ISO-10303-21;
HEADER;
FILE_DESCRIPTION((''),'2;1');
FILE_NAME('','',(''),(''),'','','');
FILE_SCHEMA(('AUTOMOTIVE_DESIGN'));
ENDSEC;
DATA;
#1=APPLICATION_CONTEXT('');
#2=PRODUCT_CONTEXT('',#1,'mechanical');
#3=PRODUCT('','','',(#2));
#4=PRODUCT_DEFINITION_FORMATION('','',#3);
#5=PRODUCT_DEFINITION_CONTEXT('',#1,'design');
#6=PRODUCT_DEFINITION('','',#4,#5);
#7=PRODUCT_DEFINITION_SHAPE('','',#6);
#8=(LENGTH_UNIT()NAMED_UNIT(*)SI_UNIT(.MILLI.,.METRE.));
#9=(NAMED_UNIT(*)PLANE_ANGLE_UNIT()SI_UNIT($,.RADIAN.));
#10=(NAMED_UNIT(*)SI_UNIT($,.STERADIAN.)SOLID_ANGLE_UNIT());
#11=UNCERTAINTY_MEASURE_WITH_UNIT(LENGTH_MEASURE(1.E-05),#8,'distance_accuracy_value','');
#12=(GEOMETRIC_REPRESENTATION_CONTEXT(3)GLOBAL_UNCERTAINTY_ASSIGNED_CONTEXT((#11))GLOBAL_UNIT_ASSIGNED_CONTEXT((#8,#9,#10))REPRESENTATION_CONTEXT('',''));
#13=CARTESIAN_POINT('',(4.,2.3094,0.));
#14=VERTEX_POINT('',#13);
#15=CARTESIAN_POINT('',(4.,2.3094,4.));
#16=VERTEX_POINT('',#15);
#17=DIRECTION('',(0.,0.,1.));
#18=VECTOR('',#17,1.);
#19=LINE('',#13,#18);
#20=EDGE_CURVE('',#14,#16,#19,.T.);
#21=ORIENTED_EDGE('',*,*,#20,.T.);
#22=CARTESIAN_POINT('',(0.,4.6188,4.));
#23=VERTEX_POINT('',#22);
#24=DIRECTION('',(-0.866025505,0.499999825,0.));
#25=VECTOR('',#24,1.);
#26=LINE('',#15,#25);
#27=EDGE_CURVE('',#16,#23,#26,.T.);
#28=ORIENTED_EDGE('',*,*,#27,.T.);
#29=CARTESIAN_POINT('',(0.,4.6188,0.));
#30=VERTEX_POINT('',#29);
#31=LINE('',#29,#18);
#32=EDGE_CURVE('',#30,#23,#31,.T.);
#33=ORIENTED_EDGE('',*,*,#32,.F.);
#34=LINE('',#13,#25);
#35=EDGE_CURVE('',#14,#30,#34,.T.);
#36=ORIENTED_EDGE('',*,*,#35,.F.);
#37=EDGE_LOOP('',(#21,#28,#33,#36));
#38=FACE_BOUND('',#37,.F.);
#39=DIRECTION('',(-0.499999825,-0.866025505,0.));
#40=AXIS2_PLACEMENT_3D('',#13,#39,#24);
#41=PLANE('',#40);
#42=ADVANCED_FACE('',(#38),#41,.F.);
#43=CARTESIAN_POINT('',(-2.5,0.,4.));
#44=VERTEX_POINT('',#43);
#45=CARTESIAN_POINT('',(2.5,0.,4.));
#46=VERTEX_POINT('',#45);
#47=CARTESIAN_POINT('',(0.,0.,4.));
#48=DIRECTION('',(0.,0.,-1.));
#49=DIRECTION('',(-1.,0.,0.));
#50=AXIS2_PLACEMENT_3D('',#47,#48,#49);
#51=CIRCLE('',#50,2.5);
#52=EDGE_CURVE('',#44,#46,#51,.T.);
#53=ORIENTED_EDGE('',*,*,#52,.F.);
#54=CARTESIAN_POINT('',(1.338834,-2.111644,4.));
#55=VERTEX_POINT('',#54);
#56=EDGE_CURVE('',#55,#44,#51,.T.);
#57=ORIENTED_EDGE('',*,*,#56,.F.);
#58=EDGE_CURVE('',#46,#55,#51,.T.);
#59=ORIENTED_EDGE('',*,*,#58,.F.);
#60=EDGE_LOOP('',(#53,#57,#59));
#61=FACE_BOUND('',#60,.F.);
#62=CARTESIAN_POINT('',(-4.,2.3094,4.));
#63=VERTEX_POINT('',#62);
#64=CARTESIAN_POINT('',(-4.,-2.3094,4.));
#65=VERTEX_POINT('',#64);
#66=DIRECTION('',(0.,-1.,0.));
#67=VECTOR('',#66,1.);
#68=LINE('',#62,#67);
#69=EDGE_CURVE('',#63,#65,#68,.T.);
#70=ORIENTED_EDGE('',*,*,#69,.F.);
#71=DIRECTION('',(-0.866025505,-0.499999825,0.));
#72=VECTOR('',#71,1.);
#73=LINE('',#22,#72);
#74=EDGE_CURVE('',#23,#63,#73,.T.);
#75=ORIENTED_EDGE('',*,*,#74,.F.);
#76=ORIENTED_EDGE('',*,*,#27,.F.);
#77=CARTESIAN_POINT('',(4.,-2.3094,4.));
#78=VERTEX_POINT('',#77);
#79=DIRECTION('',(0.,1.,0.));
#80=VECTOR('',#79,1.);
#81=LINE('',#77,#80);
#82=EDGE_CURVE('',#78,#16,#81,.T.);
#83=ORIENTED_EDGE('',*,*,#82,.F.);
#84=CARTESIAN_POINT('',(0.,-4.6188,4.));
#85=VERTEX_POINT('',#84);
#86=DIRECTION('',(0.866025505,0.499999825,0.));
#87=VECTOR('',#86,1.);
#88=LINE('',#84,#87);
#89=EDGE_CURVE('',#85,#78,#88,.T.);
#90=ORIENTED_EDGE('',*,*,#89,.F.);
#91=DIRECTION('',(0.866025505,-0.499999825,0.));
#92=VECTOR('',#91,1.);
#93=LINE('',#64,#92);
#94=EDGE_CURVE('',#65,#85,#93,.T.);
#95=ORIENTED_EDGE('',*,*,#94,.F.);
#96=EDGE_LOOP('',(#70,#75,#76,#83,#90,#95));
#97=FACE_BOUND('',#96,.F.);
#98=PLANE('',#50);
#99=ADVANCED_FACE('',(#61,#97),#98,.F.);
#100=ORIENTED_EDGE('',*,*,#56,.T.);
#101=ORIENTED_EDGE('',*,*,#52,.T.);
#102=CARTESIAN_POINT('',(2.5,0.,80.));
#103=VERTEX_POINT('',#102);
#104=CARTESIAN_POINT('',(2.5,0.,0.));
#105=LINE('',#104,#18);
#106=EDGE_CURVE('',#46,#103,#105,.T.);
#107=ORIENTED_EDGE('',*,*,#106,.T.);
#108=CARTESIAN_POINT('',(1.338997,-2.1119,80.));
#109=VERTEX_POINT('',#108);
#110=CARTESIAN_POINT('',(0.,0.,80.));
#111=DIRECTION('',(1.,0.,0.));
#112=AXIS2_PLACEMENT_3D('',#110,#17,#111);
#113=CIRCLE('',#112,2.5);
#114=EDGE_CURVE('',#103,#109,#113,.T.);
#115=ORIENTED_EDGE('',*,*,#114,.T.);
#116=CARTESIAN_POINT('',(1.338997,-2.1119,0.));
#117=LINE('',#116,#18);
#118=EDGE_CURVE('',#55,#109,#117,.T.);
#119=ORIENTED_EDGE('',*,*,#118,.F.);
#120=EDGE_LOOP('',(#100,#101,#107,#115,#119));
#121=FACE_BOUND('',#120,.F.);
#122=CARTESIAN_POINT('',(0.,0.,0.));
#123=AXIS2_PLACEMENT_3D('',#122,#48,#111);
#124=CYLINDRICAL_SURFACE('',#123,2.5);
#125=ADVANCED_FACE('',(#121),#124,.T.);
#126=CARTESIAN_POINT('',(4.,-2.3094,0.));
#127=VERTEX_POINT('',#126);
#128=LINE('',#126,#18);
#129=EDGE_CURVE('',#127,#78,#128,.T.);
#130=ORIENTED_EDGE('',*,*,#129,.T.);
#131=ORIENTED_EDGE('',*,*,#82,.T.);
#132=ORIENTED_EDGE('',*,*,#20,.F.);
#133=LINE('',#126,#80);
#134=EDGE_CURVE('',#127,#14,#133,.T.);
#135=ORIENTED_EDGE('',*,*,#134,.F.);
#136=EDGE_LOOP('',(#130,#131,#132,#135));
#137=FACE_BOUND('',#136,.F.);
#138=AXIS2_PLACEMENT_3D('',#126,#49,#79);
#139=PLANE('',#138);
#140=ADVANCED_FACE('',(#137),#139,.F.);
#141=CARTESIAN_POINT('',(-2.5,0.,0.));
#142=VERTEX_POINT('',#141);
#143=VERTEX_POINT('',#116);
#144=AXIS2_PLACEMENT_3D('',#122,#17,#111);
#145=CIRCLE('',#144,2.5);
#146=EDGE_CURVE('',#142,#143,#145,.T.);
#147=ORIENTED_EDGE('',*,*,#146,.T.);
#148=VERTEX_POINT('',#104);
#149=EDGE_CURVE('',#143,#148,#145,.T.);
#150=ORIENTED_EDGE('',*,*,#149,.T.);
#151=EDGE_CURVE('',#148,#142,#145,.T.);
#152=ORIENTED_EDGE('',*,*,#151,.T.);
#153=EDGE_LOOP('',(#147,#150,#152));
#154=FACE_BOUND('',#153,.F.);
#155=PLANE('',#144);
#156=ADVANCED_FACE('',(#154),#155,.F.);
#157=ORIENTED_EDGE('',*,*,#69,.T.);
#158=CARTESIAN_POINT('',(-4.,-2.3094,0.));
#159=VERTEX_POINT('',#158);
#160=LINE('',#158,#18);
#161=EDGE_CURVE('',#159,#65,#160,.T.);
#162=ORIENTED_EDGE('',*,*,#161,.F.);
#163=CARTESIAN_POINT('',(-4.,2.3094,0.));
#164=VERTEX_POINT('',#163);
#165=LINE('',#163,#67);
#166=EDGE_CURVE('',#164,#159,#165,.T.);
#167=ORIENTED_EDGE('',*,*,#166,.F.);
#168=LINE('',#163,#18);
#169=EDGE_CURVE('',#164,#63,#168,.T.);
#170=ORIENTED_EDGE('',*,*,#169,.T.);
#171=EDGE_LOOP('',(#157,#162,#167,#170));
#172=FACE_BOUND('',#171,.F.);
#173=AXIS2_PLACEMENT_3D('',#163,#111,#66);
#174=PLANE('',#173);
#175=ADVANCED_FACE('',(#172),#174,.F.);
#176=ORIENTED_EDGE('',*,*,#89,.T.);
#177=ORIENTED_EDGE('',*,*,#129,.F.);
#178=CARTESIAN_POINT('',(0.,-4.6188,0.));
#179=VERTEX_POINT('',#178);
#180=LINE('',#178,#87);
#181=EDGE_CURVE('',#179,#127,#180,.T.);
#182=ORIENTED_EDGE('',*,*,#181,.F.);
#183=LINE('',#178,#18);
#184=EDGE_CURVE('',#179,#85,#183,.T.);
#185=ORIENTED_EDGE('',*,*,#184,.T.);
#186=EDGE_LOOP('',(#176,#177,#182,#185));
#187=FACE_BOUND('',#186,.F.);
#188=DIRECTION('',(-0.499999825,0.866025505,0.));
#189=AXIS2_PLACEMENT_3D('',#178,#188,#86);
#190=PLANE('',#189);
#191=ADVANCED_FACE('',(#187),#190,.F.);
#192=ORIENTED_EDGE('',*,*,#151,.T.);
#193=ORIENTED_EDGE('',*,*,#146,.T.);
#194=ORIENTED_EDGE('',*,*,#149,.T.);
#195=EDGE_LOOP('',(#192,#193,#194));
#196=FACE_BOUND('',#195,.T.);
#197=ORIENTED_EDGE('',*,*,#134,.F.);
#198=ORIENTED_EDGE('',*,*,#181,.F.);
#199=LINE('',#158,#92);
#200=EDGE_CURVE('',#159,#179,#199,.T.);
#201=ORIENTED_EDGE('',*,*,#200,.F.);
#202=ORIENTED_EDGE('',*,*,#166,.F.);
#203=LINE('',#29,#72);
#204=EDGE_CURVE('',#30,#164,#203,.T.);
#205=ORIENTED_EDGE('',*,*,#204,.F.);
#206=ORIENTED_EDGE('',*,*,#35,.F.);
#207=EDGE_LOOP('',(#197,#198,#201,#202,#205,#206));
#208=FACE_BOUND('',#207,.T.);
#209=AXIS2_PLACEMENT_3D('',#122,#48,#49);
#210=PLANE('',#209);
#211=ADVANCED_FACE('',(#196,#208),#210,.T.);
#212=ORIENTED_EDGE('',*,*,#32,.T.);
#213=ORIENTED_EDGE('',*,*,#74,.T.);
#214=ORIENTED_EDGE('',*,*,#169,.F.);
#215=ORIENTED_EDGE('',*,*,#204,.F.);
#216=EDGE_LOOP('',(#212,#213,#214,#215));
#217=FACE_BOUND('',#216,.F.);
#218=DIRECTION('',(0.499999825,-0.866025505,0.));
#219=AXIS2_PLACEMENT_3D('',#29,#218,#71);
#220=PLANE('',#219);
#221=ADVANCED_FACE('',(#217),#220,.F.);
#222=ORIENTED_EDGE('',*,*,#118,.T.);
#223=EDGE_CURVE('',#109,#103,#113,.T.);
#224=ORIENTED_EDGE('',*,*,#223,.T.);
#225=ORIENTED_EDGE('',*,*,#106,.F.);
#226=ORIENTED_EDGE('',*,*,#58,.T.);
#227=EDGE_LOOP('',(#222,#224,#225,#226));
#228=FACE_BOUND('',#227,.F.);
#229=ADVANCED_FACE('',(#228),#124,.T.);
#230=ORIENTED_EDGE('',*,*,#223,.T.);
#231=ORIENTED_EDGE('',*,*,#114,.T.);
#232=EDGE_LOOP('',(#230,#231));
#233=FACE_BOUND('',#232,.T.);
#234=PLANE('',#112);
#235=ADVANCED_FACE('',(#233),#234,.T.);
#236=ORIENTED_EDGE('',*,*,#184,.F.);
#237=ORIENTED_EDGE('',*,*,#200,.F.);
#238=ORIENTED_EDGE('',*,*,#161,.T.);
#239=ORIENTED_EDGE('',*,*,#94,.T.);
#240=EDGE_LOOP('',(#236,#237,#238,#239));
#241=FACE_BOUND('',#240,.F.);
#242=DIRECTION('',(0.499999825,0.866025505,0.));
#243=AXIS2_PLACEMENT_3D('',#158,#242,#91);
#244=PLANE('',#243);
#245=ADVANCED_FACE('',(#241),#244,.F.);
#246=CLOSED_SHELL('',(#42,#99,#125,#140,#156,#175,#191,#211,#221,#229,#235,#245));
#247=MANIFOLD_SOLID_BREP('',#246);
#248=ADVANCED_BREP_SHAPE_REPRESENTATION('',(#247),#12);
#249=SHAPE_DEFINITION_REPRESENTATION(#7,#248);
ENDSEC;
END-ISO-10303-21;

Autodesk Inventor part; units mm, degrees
ref_plane "YZ Plane" through (0, 0, 0) normal (1, 0, 0) x (0, 1, 0)
ref_plane "XZ Plane" through (0, 0, 0) normal (0, 1, 0) x (-1, 0, 0)
ref_plane "XY Plane" through (0, 0, 0) normal (0, 0, 1) x (1, 0, 0)
sketch "Sketch1" plane through (0, 0, 0) normal (0, 0, 1) x (1, 0, 0)
  circle A0 centre (0, 0) radius 2.5
  line L0 (1.3379, -2.1119) -> (1.34, -2.1119)
  point P0 (-1.3379, -2.1119)
  dimension "d0" = 5
extrude "Extrusion1" add sketch "Sketch1" along normal blind 80
sketch "Sketch2" plane through (0, 0, 0) normal (0, 0, -1) x (-1, 0, 0)
  circle A0 centre (0, 0) radius 2.5 projected
  line L0 (0, -4.6188) -> (-4, -2.3094)
  line L1 (-4, -2.3094) -> (-4, 2.3094)
  line L2 (-4, 2.3094) -> (0, 4.6188)
  line L3 (0, 4.6188) -> (4, 2.3094)
  line L4 (4, 2.3094) -> (4, -2.3094)
  line L5 (4, -2.3094) -> (0, -4.6188)
  dimension "d4" = 8
extrude "Extrusion2" add sketch "Sketch2" against normal blind 4
properties part number "quarter-inch-rod" material "Iron, Cast"
